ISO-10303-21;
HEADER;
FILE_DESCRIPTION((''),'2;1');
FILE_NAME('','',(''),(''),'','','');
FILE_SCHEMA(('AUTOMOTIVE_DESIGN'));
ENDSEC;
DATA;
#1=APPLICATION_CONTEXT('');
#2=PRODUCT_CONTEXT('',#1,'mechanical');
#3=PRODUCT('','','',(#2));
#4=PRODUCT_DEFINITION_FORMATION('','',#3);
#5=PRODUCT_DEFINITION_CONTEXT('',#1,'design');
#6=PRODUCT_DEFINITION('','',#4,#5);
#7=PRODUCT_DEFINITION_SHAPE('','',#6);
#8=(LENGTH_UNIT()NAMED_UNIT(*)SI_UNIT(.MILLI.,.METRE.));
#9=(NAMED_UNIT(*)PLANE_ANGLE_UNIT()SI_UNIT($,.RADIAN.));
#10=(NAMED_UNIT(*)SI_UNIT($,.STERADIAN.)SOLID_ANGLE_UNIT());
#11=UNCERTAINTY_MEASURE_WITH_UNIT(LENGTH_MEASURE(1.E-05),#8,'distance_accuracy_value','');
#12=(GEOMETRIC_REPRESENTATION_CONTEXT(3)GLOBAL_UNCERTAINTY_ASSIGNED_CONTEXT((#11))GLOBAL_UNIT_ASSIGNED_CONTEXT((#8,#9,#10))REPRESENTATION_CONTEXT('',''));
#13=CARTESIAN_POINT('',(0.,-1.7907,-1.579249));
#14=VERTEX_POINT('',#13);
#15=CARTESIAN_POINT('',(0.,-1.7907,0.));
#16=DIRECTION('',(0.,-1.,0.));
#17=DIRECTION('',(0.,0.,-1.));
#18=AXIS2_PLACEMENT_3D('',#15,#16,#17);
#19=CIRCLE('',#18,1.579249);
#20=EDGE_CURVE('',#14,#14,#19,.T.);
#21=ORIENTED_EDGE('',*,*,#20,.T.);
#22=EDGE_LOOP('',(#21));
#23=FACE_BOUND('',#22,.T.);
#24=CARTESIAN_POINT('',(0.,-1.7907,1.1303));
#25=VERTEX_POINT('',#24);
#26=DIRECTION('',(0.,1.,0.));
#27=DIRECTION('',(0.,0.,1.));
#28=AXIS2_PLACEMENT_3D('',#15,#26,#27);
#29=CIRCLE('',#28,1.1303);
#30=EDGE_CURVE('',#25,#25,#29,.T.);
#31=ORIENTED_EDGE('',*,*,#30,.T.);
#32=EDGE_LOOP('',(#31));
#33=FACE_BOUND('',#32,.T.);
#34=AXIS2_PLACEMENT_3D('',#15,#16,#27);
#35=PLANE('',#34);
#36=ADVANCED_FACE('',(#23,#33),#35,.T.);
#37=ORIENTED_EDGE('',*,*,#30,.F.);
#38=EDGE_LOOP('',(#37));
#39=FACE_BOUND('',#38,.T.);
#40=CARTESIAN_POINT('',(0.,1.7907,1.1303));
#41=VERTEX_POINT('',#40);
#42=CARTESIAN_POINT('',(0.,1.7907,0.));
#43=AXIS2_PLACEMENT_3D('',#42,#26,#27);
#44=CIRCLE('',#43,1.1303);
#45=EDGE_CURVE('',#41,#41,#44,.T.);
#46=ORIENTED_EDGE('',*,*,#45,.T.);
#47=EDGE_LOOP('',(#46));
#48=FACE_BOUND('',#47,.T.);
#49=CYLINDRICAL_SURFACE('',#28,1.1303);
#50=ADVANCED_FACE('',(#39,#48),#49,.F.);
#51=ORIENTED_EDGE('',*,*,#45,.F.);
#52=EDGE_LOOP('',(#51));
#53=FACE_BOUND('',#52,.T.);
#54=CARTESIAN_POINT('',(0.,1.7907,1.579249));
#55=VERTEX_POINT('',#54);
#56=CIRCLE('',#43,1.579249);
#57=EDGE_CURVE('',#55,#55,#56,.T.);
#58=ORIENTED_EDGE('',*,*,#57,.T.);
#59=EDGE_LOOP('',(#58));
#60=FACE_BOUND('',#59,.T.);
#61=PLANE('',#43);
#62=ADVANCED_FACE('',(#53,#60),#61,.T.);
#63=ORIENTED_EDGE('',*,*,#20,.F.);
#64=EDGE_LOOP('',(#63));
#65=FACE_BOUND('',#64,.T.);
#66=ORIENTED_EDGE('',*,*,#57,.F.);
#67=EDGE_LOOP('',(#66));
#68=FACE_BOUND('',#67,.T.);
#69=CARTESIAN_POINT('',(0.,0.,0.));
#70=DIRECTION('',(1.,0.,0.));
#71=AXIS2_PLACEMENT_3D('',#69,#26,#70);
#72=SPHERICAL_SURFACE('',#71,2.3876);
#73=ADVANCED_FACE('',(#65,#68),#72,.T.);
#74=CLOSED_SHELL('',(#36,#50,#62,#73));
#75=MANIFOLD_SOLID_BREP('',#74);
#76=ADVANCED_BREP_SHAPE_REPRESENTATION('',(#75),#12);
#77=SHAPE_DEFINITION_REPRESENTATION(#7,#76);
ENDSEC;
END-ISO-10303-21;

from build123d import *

# Parameters (mm, degrees)
SKETCH2_R      = 2.3876
EXTRUDE1_DEPTH = 1.5969
SKETCH3_R      = 1.1303
EXTRUDE2_DEPTH = 4.5814


with BuildPart() as part:
    # Sketch1 → Revolve1 (revolve)
    with BuildSketch(Plane.XY):
        with BuildLine():
            Line((0, 2.3876), (0, -2.3876))
            ThreePointArc((0, -2.3876), (2.3876, 0), (0, 2.3876))
        make_face()
    revolve(axis=Axis((0, 2.3876, 0), (0, -1, 0)))

    # Sketch2 → Extrude1 (cut, through all)
    with BuildSketch(Plane(origin=(0, 1.7907, 0), x_dir=(-1, 0, 0), z_dir=(0, 1, 0))):
        Circle(SKETCH2_R)
    extrude1 = extrude(amount=EXTRUDE1_DEPTH, mode=Mode.SUBTRACT)

    # Mirror1: Extrude1 across plane
    add(extrude1.mirror(Plane.ZX), mode=Mode.SUBTRACT)

    # Sketch3 → Extrude2 (cut, through all)
    with BuildSketch(Plane(origin=(0, 1.7907, 0), x_dir=(-1, 0, 0), z_dir=(0, 1, 0))):
        Circle(SKETCH3_R)
    extrude(amount=-EXTRUDE2_DEPTH, mode=Mode.SUBTRACT)


solid = part.part
